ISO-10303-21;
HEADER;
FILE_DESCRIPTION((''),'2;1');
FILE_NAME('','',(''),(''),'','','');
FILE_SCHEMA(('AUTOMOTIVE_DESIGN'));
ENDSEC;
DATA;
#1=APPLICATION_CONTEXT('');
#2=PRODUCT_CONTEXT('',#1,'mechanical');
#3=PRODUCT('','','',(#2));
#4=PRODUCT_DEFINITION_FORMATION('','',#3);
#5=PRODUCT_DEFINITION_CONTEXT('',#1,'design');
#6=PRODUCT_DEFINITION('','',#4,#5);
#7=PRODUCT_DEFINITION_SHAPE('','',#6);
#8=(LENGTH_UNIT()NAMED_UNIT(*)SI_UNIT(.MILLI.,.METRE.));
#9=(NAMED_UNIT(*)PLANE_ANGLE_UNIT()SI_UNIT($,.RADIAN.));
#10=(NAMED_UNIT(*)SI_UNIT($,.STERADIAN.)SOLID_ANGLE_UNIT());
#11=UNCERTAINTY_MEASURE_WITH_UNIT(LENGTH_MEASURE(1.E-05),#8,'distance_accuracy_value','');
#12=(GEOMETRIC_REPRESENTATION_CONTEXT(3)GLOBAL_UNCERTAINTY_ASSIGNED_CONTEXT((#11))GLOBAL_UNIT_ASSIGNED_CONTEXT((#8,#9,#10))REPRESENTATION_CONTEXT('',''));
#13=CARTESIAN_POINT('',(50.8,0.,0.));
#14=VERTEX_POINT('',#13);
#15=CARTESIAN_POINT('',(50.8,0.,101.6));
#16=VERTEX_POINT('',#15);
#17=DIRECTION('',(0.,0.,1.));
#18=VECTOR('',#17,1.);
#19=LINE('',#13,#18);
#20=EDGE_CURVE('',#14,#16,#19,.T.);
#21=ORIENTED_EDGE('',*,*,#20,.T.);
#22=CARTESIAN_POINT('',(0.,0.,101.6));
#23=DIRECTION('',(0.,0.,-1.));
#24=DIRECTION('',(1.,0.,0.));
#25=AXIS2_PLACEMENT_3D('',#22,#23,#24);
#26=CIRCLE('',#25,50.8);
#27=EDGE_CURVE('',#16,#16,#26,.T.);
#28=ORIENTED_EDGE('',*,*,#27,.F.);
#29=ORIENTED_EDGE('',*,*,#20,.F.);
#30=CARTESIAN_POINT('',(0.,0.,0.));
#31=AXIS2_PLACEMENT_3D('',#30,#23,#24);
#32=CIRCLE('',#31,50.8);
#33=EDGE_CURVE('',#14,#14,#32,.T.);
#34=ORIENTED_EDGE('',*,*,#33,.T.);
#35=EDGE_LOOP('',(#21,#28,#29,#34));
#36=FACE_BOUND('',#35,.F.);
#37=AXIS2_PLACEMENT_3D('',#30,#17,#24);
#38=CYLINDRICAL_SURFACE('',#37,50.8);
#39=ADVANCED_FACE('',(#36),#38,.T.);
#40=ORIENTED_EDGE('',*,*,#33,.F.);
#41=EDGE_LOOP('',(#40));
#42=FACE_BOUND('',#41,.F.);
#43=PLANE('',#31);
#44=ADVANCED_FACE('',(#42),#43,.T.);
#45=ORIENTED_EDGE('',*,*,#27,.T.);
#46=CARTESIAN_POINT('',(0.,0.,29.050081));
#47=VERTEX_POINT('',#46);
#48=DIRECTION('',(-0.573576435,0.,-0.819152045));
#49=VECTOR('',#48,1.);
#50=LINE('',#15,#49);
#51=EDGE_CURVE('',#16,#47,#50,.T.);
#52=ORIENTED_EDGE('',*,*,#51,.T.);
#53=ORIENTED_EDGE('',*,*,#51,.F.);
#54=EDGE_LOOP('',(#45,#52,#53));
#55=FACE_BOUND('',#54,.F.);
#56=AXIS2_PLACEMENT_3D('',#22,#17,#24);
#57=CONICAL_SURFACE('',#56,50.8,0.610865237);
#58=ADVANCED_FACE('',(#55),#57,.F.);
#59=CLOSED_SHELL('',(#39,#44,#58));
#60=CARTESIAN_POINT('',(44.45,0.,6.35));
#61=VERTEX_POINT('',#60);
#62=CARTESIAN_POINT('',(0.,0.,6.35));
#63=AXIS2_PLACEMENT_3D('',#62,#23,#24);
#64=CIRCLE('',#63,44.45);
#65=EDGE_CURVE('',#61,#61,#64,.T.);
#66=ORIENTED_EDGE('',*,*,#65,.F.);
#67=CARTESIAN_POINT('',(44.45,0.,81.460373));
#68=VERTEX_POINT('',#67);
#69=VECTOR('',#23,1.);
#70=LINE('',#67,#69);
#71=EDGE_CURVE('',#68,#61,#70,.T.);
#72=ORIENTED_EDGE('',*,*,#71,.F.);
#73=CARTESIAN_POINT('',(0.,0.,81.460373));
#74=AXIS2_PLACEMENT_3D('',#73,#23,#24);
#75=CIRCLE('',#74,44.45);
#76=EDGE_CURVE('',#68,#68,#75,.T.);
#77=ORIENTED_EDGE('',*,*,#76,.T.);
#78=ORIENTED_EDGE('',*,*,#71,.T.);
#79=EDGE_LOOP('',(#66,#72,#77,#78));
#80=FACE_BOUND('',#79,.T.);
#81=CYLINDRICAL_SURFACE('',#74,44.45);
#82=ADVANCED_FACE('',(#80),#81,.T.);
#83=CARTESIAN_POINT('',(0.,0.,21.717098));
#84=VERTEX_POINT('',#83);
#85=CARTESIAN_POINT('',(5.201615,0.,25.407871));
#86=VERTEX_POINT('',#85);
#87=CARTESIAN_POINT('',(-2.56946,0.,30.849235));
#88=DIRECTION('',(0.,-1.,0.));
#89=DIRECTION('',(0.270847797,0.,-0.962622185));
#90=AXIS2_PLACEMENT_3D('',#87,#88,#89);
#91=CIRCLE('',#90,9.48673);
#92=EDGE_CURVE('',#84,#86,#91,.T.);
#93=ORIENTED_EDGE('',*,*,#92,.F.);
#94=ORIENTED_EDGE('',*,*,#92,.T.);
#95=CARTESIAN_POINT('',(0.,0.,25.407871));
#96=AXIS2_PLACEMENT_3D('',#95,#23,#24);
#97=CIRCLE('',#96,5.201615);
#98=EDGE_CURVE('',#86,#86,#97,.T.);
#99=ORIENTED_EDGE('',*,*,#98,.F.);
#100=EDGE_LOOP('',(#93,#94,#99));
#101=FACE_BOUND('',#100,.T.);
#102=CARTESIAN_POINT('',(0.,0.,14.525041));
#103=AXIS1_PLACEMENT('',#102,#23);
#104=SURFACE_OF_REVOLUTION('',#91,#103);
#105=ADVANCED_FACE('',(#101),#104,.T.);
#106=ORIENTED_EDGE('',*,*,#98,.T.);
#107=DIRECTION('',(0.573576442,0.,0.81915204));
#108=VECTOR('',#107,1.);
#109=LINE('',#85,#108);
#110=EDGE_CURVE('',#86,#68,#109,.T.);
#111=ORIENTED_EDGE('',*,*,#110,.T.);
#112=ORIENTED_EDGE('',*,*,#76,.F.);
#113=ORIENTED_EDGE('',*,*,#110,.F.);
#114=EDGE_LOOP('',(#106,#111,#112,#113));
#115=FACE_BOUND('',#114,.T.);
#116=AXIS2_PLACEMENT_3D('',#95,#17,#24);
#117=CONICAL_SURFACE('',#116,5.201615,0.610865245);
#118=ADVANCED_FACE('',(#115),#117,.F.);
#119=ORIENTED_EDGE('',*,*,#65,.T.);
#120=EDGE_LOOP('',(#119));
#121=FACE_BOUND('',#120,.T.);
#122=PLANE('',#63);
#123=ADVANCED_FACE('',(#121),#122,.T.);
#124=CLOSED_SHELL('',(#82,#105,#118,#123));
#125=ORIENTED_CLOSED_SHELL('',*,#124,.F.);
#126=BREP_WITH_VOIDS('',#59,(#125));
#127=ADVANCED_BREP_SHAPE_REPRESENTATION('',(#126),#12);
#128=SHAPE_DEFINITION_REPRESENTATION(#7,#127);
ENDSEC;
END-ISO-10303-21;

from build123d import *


with BuildPart() as f1:
    # F0 (on Front) → F1 (revolve)
    with BuildSketch(Plane.XZ):
        with BuildLine():
            Line((0, 6.35), (0, 0))
            Line((0, 0), (50.8, 0))
            Line((50.8, 0), (50.8, 101.6))
            Line((50.8, 101.6), (0, 29.050081))
            Line((0, 29.050081), (0, 21.717098))
            ThreePointArc((0, 21.717098), (2.920268, 23.11225), (5.201615, 25.407871))
            Line((5.201615, 25.407871), (44.45, 81.460373))
            Line((44.45, 81.460373), (44.45, 6.35))
            Line((44.45, 6.35), (0, 6.35))
        make_face()
    revolve(axis=Axis((0, 0, 14.525041), (0, 0, -1)))


solid = f1.part
